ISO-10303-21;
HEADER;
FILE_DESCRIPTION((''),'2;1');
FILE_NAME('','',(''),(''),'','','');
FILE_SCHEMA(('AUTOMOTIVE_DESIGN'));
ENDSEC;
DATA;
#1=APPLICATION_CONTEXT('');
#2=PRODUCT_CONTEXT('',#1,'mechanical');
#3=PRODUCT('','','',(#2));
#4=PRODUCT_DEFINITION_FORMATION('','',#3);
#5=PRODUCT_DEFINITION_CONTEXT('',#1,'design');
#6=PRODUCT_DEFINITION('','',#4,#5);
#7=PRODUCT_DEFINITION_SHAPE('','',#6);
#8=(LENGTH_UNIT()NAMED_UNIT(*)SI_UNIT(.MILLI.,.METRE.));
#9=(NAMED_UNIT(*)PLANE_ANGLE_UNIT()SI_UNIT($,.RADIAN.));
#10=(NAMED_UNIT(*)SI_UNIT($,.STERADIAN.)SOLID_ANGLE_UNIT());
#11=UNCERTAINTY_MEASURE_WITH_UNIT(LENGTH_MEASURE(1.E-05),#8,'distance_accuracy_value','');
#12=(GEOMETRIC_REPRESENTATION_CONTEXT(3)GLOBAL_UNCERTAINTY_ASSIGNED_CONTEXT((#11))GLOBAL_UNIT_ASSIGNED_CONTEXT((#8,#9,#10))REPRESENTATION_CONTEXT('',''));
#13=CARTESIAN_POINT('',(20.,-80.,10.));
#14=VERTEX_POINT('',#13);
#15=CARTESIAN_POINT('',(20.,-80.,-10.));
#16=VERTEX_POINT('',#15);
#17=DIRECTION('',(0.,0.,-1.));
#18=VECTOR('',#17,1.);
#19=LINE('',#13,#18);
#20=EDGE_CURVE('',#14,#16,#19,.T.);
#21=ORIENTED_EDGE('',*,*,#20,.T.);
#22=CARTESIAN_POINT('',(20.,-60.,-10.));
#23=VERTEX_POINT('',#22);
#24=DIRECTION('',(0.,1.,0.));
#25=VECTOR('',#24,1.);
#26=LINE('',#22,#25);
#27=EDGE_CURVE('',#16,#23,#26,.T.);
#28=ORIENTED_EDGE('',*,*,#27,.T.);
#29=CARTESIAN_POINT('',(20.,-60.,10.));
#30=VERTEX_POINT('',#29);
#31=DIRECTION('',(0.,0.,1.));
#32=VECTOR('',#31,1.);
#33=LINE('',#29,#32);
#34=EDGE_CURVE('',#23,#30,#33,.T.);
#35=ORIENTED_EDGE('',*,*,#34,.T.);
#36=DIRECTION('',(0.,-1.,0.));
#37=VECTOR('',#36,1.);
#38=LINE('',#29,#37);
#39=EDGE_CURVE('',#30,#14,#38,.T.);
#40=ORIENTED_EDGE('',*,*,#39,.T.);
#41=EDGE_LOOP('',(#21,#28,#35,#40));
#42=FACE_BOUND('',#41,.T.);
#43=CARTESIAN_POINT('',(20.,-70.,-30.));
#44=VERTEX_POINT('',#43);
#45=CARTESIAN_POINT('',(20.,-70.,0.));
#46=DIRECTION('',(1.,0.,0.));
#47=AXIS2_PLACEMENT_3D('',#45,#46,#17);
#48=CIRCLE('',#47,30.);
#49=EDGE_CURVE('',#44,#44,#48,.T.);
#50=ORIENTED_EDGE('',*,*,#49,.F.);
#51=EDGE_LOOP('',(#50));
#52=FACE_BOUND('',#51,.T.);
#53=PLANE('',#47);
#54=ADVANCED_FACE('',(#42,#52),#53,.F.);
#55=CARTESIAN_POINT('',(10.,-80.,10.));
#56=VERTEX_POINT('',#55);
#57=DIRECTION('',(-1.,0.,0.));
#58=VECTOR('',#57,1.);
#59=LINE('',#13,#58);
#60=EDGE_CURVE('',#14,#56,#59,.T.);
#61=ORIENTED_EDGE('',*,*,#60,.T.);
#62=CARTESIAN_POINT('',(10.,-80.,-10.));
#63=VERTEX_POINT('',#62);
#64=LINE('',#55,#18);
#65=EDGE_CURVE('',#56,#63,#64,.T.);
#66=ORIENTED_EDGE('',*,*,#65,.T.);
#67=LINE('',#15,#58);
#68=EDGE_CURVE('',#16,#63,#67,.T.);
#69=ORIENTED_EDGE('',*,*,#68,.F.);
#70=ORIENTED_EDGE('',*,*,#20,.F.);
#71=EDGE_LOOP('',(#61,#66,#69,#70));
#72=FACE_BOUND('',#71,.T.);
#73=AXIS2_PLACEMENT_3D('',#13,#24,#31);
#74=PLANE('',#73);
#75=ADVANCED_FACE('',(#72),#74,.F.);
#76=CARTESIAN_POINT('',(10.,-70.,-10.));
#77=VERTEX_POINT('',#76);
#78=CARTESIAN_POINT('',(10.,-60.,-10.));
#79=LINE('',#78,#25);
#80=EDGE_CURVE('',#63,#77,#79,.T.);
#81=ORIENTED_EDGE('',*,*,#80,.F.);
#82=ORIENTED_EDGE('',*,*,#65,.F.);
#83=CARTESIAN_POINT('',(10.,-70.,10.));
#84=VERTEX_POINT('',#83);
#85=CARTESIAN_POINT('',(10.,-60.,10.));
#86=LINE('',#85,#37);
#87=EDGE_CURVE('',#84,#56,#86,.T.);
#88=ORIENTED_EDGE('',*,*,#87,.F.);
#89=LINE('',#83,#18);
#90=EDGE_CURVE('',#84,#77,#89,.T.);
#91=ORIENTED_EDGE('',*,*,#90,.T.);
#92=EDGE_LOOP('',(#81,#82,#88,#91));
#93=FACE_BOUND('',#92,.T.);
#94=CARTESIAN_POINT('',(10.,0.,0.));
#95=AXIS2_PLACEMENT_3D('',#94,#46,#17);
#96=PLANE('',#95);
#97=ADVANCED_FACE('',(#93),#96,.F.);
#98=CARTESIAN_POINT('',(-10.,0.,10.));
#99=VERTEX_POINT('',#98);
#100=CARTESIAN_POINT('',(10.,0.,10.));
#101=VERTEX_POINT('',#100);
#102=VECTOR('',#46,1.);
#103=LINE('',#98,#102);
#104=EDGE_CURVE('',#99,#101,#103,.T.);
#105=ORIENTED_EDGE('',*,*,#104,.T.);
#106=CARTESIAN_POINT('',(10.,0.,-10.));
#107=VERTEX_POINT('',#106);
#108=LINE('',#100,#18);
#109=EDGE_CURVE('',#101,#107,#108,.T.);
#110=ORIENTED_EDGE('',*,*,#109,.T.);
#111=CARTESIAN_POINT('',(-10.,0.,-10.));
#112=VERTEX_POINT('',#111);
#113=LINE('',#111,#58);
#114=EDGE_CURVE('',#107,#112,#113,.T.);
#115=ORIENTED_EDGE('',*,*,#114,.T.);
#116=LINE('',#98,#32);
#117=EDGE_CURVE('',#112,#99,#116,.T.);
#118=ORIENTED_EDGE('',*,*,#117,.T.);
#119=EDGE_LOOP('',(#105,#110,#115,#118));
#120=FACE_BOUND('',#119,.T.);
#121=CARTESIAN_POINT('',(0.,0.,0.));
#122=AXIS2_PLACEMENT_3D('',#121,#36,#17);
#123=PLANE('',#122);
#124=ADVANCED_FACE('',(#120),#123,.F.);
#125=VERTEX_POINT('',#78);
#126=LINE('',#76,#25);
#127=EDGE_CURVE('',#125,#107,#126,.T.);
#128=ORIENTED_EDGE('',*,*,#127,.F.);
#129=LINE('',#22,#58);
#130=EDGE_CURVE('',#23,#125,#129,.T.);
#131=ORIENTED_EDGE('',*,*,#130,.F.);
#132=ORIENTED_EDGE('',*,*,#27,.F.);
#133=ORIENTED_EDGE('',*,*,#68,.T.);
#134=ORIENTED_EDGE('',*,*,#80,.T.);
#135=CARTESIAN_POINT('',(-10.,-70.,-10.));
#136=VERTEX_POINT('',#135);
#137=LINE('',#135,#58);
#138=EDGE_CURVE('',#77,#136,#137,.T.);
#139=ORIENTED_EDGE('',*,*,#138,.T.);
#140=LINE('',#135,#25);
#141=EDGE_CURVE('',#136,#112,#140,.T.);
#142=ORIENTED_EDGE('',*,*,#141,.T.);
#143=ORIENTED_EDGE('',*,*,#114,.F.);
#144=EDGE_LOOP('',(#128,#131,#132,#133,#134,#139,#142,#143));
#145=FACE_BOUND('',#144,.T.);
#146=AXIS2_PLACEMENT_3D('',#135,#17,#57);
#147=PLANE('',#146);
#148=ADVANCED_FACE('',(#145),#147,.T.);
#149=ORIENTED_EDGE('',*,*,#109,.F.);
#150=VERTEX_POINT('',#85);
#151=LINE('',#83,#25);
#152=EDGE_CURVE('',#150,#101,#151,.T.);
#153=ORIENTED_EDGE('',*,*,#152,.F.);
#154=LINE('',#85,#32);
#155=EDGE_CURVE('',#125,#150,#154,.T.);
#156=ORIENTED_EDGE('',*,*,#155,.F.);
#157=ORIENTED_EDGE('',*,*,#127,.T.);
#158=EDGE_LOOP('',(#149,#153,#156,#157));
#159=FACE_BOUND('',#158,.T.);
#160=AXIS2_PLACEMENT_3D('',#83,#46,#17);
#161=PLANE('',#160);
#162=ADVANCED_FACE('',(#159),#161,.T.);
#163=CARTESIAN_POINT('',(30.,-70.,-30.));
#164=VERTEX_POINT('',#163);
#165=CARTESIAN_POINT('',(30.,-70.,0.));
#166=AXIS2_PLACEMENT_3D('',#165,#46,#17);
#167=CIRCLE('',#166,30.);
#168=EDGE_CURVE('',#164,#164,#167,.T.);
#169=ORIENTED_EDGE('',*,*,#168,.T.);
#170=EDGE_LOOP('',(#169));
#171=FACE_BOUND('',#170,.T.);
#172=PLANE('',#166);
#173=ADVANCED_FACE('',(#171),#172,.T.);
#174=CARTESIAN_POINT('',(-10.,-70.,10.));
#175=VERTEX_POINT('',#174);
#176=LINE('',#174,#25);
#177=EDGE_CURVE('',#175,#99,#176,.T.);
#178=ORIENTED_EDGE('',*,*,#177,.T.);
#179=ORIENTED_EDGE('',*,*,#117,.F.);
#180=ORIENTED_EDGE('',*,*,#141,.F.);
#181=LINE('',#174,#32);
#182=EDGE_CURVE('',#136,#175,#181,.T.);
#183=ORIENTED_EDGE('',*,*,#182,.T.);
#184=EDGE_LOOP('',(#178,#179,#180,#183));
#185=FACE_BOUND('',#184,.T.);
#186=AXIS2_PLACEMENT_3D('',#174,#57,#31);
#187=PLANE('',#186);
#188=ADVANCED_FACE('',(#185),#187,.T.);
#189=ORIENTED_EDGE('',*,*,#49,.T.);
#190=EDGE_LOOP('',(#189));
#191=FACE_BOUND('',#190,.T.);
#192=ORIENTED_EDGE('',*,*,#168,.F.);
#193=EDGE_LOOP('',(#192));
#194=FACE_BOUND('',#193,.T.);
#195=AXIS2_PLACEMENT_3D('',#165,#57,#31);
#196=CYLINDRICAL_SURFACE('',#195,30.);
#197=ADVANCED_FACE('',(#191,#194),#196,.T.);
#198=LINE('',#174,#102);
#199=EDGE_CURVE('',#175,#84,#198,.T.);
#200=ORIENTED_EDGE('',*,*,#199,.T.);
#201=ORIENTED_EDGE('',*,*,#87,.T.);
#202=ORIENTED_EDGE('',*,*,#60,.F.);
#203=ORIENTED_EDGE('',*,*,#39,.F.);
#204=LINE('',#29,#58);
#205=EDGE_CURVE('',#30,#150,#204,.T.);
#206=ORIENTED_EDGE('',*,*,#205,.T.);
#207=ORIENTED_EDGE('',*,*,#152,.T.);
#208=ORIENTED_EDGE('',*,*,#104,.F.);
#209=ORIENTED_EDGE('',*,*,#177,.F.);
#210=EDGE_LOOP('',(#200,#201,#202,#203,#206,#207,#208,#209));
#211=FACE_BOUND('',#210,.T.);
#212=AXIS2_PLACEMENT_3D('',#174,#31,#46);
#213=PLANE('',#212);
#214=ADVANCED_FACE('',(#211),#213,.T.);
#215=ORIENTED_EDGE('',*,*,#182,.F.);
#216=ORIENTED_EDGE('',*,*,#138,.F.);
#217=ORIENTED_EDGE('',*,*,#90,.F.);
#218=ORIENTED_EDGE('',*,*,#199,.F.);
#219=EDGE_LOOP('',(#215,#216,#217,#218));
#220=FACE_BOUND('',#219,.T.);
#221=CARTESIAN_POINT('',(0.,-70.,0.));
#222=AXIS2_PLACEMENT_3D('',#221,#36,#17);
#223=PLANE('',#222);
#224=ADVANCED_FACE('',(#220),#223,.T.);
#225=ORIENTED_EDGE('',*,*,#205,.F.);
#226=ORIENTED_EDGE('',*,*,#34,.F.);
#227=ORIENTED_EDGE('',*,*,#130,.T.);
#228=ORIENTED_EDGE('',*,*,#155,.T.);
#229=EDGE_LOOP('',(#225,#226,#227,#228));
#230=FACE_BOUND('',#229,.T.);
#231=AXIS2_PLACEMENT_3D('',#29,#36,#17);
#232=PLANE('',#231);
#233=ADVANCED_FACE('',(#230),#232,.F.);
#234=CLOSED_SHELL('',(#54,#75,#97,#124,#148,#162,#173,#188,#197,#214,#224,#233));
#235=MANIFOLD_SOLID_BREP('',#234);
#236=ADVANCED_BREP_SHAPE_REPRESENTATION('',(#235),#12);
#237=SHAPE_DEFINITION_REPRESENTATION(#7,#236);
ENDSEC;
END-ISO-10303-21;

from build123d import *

# Parameters (mm, degrees)
SKETCH_1_W      = 20
SKETCH_1_H      = 20
EXTRUDE_1_DEPTH = 70
SKETCH_2_W      = 20
SKETCH_2_H      = 20
EXTRUDE_2_DEPTH = 10
SKETCH_4_R      = 30
SKETCH_4_R_2    = 25
EXTRUDE_5_DEPTH = 10
SKETCH_6_R      = 25
EXTRUDE_6_DEPTH = 10


with BuildPart() as part:
    # 草图1 → 凸台-拉伸1 (new body)
    with BuildSketch(Plane(origin=(0, 0, 0), x_dir=(1, 0, 0), z_dir=(0, 1, 0))):
        Rectangle(SKETCH_1_W, SKETCH_1_H)
    extrude(amount=-EXTRUDE_1_DEPTH)

    # 草图2 → 凸台-拉伸2 (add)
    with BuildSketch(Plane(origin=(10, 0, 0), x_dir=(0, 0, -1), z_dir=(1, 0, 0))):
        with Locations((0, -70)):
            Rectangle(SKETCH_2_W, SKETCH_2_H)
    extrude(amount=EXTRUDE_2_DEPTH)



with BuildPart() as body_2:
    # 草图4 → 凸台-拉伸5 (new body)
    with BuildSketch(Plane(origin=(20, 0, 0), x_dir=(0, 0, -1), z_dir=(1, 0, 0))):
        with Locations((0, -70)):
            Circle(SKETCH_4_R)
        with Locations((0, -70)):
            Circle(SKETCH_4_R_2, mode=Mode.SUBTRACT)
    extrude(amount=EXTRUDE_5_DEPTH)


with BuildPart() as part_1:
    add(part.part)

    add(body_2.part)  # 凸台-拉伸6 merges body 2
    # 草图6 → 凸台-拉伸6 (add)
    with BuildSketch(Plane(origin=(20, 0, 0), x_dir=(0, 0, -1), z_dir=(1, 0, 0))):
        with Locations((0, -70)):
            Circle(SKETCH_6_R)
    extrude(amount=EXTRUDE_6_DEPTH)


solid = part_1.part
